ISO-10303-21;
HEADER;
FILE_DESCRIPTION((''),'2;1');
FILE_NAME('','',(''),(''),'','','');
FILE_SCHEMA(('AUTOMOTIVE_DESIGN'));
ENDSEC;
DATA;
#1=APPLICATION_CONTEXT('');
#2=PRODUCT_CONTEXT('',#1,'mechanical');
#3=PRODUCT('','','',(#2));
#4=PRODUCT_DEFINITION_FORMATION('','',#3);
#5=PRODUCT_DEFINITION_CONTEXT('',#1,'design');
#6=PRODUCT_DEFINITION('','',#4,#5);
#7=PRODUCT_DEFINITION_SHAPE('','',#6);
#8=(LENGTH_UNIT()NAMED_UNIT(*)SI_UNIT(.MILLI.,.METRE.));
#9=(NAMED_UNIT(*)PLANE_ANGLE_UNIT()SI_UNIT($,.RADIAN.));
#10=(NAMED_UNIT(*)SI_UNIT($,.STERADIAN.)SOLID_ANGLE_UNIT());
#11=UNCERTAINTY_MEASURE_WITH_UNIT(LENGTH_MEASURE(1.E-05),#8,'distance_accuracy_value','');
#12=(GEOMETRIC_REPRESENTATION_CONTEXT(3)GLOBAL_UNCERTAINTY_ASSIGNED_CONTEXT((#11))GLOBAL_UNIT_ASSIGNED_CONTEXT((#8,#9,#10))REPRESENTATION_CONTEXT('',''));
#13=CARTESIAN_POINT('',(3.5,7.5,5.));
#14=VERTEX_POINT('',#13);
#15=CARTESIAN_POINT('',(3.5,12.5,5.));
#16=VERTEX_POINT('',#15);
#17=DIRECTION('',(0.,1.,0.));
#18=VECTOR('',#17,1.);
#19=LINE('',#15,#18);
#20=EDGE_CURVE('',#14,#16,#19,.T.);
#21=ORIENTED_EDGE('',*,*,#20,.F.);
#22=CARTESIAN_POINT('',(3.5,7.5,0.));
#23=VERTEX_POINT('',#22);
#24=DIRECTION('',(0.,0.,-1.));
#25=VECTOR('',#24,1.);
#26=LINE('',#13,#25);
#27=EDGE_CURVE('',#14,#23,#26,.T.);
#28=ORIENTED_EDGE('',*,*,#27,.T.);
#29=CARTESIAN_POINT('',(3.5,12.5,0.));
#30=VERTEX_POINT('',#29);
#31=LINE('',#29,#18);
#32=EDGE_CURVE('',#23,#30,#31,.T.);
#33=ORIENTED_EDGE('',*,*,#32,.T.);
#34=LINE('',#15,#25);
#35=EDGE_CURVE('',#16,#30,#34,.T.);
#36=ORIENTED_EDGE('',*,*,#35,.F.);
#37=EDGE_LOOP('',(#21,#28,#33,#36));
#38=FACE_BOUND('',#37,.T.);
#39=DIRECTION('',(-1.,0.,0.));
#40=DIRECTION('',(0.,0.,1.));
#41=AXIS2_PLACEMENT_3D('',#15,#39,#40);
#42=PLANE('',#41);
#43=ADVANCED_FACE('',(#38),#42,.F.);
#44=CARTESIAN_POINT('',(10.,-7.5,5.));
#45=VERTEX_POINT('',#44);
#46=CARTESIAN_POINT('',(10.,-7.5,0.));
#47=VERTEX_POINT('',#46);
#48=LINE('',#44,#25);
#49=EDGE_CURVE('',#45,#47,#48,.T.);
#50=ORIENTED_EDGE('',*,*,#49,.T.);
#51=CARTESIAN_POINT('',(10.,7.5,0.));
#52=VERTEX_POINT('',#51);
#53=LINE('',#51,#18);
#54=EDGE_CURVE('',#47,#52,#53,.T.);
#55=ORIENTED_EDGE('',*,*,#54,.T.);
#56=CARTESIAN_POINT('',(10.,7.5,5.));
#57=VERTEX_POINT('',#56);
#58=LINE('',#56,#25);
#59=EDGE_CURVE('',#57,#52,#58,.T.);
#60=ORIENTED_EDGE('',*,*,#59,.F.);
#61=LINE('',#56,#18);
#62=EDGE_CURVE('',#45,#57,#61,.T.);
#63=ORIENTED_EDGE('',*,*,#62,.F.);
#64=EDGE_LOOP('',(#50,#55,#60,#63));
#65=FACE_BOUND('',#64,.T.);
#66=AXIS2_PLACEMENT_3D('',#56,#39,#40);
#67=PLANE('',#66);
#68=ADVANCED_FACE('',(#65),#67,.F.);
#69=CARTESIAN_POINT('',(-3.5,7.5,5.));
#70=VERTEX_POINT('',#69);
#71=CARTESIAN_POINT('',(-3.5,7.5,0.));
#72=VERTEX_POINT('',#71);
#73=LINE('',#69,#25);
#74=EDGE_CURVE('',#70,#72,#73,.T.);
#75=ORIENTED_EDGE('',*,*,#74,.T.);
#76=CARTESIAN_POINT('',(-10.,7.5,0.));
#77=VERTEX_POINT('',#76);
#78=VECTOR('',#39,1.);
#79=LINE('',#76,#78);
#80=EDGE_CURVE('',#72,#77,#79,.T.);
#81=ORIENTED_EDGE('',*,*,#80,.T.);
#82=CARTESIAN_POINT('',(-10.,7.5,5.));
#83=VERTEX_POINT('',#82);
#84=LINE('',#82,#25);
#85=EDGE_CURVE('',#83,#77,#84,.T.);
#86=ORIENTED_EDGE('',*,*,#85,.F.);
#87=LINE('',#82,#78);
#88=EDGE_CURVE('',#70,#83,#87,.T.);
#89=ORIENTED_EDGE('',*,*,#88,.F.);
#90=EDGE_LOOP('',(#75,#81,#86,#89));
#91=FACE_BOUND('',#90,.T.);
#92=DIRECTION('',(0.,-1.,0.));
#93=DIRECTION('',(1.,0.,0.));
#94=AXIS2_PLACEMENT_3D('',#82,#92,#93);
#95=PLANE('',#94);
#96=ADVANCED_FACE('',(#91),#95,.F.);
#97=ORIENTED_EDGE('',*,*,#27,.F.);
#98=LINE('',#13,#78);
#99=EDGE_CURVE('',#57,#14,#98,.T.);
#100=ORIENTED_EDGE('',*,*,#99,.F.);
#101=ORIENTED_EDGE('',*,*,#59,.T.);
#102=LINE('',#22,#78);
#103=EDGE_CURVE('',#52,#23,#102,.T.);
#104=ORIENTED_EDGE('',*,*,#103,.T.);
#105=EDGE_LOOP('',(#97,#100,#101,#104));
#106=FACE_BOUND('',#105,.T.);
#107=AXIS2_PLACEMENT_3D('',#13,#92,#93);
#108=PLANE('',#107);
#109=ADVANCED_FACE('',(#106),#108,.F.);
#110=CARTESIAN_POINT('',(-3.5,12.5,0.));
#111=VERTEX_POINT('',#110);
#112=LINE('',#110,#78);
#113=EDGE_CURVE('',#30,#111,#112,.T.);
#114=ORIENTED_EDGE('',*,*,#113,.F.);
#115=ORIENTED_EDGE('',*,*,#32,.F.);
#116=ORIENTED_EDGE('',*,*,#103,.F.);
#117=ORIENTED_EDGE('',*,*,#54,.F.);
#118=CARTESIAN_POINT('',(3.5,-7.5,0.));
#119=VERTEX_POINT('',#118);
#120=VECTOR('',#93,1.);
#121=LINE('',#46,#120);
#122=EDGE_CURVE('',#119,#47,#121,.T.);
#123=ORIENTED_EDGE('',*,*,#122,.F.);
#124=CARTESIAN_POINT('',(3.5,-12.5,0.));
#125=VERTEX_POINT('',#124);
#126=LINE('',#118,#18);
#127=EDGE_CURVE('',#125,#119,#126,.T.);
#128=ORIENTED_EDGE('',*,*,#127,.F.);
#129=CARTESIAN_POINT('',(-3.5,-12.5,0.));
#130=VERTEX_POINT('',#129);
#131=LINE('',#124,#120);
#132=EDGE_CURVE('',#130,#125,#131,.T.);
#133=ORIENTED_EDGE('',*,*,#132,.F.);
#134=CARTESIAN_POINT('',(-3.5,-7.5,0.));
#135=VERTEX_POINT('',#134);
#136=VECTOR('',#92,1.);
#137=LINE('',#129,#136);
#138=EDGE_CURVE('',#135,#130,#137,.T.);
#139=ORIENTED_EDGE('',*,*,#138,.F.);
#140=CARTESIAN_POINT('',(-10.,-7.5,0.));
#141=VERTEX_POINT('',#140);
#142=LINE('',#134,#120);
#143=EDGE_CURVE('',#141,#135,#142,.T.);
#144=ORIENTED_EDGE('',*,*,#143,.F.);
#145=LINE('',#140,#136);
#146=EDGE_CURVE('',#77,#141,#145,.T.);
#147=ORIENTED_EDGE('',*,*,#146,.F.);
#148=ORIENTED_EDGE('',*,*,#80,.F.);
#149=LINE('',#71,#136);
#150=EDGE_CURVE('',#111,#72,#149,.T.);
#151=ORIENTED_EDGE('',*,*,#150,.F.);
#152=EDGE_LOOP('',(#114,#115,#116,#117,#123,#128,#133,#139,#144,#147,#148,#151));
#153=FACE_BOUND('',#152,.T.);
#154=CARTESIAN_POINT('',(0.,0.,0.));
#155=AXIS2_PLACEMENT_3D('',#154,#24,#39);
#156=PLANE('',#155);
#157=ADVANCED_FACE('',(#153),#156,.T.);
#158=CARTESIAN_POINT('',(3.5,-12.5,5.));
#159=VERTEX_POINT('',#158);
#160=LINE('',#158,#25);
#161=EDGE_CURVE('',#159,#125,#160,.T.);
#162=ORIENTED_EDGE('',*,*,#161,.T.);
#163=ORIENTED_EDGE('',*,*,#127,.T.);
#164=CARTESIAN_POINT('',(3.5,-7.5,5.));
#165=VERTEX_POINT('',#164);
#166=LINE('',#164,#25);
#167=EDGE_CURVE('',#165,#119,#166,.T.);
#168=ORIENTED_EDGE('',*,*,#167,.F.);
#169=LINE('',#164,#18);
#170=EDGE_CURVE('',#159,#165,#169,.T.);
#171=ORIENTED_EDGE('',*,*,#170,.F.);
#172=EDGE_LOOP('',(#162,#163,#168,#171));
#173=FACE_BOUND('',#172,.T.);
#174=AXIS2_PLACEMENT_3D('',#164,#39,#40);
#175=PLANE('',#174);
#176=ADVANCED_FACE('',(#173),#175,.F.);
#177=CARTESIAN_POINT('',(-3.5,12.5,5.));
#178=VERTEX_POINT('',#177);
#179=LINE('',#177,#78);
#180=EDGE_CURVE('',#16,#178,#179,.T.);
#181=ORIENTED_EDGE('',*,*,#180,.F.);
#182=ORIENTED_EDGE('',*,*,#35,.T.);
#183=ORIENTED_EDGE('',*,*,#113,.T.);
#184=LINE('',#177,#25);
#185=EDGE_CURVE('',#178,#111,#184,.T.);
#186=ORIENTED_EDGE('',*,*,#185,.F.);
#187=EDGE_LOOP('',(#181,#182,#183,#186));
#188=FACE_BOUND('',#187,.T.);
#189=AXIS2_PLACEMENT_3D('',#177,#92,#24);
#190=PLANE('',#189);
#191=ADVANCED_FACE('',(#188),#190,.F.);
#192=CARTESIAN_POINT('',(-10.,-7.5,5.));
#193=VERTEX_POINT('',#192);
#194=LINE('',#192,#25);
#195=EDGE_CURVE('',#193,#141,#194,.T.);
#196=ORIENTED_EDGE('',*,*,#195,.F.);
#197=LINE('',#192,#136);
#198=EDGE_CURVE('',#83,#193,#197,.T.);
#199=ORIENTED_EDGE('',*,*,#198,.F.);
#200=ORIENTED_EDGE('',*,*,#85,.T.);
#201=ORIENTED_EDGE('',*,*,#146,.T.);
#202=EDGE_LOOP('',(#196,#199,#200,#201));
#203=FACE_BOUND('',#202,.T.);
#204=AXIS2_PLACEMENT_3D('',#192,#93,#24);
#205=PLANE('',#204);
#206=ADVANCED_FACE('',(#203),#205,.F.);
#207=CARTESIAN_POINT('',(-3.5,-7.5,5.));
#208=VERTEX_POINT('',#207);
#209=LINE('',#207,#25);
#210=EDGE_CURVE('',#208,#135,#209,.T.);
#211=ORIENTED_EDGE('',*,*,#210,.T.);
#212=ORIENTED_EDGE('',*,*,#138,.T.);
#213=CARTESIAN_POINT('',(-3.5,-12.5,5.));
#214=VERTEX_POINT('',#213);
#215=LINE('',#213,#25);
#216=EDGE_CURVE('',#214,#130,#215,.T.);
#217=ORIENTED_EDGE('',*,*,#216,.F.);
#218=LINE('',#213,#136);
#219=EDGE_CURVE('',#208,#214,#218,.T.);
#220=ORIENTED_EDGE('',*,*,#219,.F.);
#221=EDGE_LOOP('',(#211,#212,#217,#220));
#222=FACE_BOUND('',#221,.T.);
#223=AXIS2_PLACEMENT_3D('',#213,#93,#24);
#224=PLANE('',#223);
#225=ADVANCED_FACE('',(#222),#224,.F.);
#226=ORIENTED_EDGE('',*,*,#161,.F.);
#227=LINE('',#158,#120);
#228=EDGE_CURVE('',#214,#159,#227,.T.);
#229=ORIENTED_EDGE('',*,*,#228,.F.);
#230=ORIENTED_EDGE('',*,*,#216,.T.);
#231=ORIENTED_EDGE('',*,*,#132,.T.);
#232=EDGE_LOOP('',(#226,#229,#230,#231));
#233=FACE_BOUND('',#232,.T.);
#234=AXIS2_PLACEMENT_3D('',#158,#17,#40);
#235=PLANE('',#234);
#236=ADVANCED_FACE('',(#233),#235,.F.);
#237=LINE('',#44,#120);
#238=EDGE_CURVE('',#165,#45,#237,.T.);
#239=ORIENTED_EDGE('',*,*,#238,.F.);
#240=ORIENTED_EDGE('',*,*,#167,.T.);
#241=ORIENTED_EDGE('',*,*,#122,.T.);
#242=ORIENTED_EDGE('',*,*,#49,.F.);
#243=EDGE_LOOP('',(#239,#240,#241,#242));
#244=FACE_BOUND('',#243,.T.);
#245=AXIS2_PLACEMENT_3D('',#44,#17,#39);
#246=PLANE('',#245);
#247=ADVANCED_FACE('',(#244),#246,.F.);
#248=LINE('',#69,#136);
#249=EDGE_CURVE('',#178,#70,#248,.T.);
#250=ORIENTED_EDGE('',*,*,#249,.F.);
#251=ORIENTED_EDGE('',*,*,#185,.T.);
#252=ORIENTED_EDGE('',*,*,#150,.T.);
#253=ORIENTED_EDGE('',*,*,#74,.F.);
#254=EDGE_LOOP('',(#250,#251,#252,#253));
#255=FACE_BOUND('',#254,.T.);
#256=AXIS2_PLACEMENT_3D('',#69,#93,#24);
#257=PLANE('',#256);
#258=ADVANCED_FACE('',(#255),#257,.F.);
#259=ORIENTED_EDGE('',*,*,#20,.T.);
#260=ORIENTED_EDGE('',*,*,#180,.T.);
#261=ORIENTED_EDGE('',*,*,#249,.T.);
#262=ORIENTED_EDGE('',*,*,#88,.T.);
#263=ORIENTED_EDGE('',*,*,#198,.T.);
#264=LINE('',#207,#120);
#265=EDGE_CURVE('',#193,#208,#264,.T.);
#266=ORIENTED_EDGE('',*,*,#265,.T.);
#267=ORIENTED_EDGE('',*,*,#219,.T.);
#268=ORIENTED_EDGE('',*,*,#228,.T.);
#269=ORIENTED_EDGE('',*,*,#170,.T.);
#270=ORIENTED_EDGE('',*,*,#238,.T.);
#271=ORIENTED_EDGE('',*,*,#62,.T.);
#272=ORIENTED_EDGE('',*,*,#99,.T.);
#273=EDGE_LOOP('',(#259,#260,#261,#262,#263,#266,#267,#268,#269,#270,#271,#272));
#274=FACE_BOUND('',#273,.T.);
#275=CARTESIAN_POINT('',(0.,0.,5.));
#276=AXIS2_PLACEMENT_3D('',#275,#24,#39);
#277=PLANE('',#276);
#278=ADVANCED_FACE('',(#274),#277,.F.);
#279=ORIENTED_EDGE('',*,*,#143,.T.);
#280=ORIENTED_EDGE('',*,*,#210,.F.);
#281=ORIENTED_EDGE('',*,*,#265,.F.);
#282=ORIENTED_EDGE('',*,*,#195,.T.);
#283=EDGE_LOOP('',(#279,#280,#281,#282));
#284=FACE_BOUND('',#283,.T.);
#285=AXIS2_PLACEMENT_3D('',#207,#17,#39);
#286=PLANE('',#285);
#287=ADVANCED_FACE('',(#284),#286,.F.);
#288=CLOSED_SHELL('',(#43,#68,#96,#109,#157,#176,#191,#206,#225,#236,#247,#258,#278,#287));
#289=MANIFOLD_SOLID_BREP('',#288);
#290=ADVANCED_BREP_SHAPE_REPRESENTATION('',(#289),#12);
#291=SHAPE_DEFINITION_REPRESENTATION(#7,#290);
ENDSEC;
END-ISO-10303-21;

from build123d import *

# Parameters (mm, degrees)
BOSS_EXTRUDE1_DEPTH = 5


with BuildPart() as part:
    # Sketch1 → Boss-Extrude1 (new body)
    with BuildSketch(Plane.XY):
        Polygon((-10, -7.5), (-10, 7.5), (-3.5, 7.5), (-3.5, 12.5), (3.5, 12.5), (3.5, 7.5), (10, 7.5), (10, -7.5), (3.5, -7.5), (3.5, -12.5), (-3.5, -12.5), (-3.5, -7.5), align=None)
    extrude(amount=BOSS_EXTRUDE1_DEPTH)


solid = part.part
